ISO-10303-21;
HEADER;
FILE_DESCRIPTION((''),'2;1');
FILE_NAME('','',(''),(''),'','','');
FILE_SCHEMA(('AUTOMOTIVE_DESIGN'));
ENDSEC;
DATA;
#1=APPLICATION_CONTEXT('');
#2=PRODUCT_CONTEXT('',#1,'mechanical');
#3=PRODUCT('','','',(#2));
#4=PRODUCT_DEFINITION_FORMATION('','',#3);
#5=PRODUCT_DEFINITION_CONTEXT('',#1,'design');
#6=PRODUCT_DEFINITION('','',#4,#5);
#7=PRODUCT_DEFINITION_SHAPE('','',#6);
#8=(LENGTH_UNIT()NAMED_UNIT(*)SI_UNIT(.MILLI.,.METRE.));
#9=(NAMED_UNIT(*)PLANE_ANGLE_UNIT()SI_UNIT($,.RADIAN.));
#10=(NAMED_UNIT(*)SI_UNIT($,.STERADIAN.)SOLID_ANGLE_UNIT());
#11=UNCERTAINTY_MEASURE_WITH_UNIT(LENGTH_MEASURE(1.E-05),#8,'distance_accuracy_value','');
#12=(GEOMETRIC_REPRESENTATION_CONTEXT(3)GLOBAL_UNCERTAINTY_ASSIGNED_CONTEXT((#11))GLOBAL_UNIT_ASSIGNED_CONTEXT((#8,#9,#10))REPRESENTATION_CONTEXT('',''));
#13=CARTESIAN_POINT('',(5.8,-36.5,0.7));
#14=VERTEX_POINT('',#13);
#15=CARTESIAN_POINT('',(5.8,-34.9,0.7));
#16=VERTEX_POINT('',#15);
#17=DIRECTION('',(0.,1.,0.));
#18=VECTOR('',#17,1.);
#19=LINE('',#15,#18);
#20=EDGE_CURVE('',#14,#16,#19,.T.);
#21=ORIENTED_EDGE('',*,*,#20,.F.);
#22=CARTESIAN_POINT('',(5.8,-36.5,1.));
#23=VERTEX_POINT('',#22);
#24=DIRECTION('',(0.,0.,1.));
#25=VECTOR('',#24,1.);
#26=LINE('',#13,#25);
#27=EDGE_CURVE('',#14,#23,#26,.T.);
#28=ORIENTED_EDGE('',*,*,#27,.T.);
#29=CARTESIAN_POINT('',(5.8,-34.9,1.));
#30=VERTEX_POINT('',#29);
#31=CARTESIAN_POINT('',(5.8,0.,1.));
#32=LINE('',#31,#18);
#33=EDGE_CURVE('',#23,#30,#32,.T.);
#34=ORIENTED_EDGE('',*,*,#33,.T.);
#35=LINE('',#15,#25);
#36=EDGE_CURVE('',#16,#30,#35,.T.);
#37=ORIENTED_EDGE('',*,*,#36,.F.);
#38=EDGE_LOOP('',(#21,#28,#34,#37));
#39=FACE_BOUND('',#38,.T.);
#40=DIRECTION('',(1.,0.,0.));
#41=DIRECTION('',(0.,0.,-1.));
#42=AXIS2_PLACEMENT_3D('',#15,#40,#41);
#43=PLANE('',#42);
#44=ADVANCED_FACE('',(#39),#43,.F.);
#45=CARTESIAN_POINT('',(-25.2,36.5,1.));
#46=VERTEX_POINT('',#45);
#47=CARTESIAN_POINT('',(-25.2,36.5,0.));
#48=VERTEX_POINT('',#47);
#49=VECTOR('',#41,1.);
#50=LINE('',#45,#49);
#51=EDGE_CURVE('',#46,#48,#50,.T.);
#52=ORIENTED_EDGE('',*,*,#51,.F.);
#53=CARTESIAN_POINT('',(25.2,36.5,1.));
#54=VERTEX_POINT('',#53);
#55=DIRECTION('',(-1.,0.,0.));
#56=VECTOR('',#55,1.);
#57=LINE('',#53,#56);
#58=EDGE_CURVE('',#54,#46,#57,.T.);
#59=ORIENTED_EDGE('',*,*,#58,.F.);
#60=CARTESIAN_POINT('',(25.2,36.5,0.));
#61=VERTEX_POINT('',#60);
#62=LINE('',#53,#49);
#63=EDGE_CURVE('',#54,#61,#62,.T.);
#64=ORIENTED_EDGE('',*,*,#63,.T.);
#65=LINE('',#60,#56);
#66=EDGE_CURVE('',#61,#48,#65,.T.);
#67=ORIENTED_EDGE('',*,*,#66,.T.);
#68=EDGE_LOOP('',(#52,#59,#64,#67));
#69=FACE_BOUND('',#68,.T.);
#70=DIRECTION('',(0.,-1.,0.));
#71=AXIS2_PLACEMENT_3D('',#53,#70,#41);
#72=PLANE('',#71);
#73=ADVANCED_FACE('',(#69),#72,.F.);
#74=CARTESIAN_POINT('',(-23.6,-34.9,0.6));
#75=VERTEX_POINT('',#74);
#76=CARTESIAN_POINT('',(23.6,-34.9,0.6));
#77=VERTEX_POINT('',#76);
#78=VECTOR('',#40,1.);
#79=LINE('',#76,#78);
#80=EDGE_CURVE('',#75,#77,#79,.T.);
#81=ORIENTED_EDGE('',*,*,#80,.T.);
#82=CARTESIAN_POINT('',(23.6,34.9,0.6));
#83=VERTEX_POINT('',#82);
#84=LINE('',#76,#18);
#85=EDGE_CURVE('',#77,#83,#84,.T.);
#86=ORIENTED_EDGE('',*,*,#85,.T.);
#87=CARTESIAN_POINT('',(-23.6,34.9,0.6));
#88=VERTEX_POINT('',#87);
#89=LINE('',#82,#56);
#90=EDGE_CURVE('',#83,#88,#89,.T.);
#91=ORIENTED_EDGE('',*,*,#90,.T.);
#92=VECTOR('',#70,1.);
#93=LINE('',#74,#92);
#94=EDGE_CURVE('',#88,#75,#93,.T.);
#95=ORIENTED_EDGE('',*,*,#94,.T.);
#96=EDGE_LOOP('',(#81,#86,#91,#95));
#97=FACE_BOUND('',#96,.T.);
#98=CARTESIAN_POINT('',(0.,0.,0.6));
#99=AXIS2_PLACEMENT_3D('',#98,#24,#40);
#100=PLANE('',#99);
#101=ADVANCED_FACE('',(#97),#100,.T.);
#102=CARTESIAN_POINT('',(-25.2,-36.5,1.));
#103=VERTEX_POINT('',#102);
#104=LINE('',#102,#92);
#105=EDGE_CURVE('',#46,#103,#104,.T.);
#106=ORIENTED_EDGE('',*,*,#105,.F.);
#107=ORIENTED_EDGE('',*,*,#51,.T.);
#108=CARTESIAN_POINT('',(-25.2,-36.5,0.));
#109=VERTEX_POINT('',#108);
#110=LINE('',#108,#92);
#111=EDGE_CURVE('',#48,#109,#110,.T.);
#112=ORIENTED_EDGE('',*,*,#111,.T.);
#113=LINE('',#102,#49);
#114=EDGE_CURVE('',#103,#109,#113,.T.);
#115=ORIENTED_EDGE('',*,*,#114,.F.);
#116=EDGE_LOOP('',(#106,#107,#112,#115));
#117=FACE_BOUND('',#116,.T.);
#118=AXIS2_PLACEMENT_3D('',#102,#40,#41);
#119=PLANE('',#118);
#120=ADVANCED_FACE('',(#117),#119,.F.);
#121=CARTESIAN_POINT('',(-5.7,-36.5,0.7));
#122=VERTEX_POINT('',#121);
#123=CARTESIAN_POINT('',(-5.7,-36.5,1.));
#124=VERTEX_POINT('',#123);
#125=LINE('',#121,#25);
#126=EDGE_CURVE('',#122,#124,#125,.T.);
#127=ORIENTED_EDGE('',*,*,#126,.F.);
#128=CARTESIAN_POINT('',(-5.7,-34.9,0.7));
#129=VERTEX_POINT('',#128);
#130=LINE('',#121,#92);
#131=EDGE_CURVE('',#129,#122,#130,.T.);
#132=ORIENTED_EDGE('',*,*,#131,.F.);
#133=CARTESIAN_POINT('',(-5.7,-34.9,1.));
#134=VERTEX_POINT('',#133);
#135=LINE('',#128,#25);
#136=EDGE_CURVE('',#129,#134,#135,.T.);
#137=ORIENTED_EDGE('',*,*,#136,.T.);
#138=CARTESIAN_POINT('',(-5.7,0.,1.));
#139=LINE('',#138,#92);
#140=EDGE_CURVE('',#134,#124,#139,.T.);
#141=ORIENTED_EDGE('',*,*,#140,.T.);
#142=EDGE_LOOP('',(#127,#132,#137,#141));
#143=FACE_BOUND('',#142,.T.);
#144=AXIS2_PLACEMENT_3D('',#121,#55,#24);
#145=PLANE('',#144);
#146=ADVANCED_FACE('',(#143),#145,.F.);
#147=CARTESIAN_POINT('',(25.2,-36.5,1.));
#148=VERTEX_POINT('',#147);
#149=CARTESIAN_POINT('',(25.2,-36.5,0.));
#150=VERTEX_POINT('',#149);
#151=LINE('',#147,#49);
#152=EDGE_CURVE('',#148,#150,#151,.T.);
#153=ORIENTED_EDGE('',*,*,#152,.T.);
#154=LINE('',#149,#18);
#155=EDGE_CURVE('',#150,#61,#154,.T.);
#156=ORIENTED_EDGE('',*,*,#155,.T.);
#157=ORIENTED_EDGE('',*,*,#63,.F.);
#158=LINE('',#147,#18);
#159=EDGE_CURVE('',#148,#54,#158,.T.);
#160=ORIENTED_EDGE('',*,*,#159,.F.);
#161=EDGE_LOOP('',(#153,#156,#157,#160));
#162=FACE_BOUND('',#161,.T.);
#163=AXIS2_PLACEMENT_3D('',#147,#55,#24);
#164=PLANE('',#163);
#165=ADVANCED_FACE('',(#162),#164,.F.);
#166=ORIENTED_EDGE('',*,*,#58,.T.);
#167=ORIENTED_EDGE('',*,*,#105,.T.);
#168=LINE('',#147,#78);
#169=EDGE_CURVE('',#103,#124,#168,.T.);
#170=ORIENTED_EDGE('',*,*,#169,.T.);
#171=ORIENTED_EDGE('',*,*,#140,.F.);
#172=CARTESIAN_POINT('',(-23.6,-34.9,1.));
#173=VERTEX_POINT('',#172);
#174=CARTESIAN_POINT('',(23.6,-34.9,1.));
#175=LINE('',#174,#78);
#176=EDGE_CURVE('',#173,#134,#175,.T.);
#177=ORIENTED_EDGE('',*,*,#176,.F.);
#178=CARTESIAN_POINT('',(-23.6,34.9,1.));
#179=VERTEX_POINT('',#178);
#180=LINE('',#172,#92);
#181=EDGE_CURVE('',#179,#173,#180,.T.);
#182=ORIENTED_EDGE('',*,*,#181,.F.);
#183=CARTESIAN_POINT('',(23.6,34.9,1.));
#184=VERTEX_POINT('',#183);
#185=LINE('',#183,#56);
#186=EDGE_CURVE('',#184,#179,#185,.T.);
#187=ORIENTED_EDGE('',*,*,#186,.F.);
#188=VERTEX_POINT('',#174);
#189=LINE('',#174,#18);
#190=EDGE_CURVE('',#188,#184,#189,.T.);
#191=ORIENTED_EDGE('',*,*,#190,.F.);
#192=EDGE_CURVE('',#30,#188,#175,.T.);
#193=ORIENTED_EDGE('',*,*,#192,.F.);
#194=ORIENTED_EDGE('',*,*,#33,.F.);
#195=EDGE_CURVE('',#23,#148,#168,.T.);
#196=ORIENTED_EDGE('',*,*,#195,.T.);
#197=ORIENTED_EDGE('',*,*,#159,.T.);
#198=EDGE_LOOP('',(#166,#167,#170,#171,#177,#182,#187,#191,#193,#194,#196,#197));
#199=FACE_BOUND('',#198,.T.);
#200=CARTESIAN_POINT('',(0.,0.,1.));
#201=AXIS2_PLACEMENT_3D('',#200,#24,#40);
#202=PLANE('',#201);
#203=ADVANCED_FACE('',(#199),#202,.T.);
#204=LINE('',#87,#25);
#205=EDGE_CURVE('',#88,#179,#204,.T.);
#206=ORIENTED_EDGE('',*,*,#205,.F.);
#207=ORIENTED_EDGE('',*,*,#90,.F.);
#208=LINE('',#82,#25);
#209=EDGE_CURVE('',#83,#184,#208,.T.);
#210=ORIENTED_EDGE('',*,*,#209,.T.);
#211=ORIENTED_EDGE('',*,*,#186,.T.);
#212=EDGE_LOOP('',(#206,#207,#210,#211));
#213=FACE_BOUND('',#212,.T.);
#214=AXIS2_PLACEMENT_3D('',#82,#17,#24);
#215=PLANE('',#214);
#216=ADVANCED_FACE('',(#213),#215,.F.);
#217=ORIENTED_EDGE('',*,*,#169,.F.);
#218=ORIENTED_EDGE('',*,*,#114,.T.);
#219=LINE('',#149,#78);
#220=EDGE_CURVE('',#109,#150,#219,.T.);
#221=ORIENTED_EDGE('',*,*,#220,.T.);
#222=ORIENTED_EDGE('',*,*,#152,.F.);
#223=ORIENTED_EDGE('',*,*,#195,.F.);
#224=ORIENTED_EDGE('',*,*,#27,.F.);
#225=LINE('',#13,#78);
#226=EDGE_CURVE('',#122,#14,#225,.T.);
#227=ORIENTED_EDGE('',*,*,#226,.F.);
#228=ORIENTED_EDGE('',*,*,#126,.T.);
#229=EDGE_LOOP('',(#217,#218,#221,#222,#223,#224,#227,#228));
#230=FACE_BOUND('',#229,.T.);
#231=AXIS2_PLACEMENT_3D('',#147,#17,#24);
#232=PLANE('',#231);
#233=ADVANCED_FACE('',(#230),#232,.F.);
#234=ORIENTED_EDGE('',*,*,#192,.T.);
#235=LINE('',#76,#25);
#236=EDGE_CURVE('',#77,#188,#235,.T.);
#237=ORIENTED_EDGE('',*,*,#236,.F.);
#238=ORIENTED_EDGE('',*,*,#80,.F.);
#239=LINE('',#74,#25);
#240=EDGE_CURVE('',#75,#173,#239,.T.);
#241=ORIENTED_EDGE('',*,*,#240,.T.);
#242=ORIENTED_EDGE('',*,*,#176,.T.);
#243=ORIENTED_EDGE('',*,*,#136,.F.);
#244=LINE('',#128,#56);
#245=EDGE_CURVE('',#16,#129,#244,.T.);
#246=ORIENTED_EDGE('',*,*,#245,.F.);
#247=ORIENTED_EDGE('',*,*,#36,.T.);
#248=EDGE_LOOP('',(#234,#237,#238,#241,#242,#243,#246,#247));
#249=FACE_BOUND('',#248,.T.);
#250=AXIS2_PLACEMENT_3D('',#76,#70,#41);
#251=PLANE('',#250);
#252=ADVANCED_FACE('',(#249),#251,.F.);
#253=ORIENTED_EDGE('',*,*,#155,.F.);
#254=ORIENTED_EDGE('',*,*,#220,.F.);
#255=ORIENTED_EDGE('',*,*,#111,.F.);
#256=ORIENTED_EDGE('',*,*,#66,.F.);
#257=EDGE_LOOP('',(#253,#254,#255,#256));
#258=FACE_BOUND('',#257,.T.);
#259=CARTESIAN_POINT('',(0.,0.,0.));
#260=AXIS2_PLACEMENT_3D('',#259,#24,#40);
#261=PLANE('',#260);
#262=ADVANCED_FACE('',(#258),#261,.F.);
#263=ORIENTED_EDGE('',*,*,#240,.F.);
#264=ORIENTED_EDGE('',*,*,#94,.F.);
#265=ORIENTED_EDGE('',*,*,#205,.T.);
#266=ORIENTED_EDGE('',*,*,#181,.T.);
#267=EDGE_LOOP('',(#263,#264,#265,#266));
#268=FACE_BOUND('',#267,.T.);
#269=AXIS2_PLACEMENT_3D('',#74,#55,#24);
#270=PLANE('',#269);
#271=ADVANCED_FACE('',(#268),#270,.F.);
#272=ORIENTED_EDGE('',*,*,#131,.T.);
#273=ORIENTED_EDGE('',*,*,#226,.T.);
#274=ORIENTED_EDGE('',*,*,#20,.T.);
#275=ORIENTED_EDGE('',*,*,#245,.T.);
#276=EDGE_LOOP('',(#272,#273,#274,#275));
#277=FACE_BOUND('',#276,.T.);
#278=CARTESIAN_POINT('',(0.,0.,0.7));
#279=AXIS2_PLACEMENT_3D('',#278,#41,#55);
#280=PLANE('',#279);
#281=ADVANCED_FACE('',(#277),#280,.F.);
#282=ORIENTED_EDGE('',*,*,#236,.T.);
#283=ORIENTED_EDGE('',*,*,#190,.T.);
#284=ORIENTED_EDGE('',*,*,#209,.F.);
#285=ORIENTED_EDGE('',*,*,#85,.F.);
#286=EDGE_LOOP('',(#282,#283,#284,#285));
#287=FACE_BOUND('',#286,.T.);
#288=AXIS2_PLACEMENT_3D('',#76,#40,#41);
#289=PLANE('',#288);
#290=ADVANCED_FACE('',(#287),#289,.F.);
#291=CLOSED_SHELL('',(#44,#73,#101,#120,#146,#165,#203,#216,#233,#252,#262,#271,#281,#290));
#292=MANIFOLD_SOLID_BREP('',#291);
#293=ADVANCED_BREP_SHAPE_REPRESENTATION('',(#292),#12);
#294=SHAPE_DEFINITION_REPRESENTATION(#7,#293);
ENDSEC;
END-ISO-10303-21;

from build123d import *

# Parameters (mm, degrees)
CROQUIS1_W              = 50.4
CROQUIS1_H              = 73
SALIENTE_EXTRUIR1_DEPTH = 1
CROQUIS2_W              = 47.2
CROQUIS2_H              = 69.8
CORTAR_EXTRUIR1_DEPTH   = 0.4
CROQUIS3_W              = 11.5
CROQUIS3_H              = 1.6
CORTAR_EXTRUIR2_DEPTH   = 0.9


with BuildPart() as part:
    # Croquis1 → Saliente-Extruir1 (new body)
    with BuildSketch(Plane.XY):
        Rectangle(CROQUIS1_W, CROQUIS1_H)
    extrude(amount=SALIENTE_EXTRUIR1_DEPTH)

    # Croquis2 → Cortar-Extruir1 (cut)
    with BuildSketch(Plane.XY.offset(1)):
        Rectangle(CROQUIS2_W, CROQUIS2_H)
    extrude(amount=-CORTAR_EXTRUIR1_DEPTH, mode=Mode.SUBTRACT)

    # Croquis3 → Cortar-Extruir2 (cut)
    with BuildSketch(Plane.XY.offset(1.6)):
        with Locations((0.05, -35.7)):
            Rectangle(CROQUIS3_W, CROQUIS3_H)
    extrude(amount=-CORTAR_EXTRUIR2_DEPTH, mode=Mode.SUBTRACT)


solid = part.part
